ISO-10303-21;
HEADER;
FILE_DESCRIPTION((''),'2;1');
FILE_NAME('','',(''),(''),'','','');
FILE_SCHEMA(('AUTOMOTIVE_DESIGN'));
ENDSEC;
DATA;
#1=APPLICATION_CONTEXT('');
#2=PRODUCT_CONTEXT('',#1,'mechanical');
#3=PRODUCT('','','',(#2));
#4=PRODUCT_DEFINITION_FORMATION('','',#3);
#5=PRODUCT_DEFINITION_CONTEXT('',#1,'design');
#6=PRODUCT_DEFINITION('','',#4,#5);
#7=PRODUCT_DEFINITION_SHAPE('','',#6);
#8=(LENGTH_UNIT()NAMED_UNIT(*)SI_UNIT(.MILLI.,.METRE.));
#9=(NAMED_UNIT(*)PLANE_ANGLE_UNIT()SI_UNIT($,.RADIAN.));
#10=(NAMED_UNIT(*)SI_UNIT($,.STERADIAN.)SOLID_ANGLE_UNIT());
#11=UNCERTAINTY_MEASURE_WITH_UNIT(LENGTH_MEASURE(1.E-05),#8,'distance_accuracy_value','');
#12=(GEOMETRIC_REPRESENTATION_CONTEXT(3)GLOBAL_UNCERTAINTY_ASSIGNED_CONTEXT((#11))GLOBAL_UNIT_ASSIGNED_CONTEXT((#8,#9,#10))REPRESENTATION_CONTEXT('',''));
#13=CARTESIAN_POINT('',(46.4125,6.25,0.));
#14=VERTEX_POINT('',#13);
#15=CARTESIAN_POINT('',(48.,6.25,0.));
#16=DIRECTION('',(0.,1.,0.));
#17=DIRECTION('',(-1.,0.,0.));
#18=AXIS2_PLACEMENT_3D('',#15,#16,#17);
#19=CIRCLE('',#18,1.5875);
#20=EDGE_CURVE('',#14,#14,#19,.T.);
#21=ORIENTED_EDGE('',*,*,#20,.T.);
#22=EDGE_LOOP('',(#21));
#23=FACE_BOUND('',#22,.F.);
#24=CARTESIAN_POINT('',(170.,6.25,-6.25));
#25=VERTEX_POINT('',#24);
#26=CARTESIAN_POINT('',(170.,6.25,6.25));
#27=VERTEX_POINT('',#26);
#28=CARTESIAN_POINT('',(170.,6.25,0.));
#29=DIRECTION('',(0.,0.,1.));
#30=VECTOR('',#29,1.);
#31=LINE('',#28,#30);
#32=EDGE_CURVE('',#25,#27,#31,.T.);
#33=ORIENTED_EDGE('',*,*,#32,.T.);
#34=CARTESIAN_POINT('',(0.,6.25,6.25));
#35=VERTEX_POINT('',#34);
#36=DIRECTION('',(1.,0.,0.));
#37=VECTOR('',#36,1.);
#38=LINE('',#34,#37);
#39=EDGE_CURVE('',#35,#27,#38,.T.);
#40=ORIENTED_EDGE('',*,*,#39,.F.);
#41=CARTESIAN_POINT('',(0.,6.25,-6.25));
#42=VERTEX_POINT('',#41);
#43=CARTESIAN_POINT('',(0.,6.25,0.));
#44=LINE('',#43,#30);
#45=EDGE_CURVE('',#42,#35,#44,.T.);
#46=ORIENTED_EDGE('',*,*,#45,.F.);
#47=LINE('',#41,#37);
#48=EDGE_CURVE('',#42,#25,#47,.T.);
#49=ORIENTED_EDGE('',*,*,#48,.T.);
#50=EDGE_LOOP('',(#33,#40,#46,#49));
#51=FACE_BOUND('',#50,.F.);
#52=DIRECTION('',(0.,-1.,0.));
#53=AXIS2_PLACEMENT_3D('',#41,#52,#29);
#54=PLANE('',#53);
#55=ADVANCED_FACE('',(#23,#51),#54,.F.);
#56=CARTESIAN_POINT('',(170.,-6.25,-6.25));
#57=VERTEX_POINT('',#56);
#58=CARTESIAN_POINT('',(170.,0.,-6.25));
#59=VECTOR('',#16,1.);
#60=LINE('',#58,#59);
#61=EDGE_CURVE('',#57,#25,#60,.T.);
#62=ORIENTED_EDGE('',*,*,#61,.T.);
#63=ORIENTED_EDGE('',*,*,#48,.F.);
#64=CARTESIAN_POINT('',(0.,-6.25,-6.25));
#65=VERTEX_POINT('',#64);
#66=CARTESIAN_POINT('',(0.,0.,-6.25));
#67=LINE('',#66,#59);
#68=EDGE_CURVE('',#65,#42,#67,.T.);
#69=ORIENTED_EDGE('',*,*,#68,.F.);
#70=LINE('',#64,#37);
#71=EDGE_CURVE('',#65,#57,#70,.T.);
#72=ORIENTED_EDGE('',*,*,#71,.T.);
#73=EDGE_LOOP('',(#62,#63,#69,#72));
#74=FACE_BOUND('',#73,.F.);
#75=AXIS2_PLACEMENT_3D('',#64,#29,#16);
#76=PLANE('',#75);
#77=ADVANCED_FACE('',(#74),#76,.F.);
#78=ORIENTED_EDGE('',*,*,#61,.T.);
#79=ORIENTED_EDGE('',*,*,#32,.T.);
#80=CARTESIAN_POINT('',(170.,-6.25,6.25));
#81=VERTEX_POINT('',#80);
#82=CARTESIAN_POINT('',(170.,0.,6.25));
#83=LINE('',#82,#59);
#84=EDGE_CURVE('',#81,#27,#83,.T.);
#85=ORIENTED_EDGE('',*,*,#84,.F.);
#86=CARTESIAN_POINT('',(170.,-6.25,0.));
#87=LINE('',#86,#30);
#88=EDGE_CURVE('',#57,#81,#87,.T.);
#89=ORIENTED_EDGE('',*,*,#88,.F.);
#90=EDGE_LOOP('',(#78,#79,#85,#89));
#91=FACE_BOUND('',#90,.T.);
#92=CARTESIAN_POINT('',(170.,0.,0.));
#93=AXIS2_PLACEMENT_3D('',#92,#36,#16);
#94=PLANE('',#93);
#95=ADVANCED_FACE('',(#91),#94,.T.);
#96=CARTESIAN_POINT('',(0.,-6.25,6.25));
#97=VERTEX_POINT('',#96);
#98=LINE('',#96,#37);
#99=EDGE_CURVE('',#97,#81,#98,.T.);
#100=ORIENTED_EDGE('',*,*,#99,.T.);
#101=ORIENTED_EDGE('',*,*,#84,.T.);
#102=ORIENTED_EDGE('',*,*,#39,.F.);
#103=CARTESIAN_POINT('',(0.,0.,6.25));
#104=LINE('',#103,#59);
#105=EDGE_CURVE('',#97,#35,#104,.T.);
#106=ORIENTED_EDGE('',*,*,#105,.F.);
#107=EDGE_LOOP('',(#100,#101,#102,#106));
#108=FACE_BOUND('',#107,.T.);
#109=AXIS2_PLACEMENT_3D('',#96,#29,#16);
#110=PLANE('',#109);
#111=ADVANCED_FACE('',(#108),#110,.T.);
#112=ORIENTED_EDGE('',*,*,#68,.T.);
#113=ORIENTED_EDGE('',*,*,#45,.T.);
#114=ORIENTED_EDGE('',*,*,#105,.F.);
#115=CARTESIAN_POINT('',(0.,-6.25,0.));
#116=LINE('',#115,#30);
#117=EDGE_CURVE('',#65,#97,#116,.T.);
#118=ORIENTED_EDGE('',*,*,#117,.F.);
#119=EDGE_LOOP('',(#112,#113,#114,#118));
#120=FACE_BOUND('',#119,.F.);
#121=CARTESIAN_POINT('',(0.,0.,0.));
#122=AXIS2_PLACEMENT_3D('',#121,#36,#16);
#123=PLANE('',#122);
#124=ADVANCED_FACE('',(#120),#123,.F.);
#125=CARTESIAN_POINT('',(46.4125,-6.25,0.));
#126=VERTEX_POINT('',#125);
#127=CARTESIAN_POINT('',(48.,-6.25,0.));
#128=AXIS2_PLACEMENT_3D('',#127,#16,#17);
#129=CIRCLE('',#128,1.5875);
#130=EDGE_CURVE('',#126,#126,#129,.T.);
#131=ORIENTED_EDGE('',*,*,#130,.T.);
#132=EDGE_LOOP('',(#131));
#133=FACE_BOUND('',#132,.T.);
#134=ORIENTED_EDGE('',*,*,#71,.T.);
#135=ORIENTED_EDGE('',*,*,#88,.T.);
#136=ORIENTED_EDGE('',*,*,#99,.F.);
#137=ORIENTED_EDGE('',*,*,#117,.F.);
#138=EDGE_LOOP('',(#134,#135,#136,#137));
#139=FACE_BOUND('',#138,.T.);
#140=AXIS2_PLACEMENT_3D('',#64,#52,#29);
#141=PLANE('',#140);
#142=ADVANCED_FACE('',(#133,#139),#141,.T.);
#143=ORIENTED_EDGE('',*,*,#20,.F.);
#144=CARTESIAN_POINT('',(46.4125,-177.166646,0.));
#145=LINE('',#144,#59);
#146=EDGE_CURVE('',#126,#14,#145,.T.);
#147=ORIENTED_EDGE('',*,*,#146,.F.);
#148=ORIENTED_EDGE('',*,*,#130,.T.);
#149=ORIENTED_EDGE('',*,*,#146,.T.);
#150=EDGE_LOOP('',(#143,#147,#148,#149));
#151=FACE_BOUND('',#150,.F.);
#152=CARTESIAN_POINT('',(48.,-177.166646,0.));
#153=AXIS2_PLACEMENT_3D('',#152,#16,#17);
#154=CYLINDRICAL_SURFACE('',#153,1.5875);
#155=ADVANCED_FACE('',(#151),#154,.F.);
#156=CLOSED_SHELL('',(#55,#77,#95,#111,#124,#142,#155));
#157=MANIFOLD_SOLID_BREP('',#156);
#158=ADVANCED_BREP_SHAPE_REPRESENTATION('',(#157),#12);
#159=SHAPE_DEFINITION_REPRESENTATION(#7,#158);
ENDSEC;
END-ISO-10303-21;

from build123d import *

# Parameters (mm, degrees)
F0_W     = 12.5
F0_H     = 12.5
F1_DEPTH = 170
F3_D     = 3.175


with BuildPart() as f1:
    # F0 (on Right) → F1 (new body)
    with BuildSketch(Plane.YZ):
        Rectangle(F0_W, F0_H)
    extrude(amount=F1_DEPTH)

    # F3 (through all)
    with Locations(Plane.XZ.offset(6.25)):
        with Locations((48, 0)):
            Hole(F3_D / 2)


solid = f1.part
